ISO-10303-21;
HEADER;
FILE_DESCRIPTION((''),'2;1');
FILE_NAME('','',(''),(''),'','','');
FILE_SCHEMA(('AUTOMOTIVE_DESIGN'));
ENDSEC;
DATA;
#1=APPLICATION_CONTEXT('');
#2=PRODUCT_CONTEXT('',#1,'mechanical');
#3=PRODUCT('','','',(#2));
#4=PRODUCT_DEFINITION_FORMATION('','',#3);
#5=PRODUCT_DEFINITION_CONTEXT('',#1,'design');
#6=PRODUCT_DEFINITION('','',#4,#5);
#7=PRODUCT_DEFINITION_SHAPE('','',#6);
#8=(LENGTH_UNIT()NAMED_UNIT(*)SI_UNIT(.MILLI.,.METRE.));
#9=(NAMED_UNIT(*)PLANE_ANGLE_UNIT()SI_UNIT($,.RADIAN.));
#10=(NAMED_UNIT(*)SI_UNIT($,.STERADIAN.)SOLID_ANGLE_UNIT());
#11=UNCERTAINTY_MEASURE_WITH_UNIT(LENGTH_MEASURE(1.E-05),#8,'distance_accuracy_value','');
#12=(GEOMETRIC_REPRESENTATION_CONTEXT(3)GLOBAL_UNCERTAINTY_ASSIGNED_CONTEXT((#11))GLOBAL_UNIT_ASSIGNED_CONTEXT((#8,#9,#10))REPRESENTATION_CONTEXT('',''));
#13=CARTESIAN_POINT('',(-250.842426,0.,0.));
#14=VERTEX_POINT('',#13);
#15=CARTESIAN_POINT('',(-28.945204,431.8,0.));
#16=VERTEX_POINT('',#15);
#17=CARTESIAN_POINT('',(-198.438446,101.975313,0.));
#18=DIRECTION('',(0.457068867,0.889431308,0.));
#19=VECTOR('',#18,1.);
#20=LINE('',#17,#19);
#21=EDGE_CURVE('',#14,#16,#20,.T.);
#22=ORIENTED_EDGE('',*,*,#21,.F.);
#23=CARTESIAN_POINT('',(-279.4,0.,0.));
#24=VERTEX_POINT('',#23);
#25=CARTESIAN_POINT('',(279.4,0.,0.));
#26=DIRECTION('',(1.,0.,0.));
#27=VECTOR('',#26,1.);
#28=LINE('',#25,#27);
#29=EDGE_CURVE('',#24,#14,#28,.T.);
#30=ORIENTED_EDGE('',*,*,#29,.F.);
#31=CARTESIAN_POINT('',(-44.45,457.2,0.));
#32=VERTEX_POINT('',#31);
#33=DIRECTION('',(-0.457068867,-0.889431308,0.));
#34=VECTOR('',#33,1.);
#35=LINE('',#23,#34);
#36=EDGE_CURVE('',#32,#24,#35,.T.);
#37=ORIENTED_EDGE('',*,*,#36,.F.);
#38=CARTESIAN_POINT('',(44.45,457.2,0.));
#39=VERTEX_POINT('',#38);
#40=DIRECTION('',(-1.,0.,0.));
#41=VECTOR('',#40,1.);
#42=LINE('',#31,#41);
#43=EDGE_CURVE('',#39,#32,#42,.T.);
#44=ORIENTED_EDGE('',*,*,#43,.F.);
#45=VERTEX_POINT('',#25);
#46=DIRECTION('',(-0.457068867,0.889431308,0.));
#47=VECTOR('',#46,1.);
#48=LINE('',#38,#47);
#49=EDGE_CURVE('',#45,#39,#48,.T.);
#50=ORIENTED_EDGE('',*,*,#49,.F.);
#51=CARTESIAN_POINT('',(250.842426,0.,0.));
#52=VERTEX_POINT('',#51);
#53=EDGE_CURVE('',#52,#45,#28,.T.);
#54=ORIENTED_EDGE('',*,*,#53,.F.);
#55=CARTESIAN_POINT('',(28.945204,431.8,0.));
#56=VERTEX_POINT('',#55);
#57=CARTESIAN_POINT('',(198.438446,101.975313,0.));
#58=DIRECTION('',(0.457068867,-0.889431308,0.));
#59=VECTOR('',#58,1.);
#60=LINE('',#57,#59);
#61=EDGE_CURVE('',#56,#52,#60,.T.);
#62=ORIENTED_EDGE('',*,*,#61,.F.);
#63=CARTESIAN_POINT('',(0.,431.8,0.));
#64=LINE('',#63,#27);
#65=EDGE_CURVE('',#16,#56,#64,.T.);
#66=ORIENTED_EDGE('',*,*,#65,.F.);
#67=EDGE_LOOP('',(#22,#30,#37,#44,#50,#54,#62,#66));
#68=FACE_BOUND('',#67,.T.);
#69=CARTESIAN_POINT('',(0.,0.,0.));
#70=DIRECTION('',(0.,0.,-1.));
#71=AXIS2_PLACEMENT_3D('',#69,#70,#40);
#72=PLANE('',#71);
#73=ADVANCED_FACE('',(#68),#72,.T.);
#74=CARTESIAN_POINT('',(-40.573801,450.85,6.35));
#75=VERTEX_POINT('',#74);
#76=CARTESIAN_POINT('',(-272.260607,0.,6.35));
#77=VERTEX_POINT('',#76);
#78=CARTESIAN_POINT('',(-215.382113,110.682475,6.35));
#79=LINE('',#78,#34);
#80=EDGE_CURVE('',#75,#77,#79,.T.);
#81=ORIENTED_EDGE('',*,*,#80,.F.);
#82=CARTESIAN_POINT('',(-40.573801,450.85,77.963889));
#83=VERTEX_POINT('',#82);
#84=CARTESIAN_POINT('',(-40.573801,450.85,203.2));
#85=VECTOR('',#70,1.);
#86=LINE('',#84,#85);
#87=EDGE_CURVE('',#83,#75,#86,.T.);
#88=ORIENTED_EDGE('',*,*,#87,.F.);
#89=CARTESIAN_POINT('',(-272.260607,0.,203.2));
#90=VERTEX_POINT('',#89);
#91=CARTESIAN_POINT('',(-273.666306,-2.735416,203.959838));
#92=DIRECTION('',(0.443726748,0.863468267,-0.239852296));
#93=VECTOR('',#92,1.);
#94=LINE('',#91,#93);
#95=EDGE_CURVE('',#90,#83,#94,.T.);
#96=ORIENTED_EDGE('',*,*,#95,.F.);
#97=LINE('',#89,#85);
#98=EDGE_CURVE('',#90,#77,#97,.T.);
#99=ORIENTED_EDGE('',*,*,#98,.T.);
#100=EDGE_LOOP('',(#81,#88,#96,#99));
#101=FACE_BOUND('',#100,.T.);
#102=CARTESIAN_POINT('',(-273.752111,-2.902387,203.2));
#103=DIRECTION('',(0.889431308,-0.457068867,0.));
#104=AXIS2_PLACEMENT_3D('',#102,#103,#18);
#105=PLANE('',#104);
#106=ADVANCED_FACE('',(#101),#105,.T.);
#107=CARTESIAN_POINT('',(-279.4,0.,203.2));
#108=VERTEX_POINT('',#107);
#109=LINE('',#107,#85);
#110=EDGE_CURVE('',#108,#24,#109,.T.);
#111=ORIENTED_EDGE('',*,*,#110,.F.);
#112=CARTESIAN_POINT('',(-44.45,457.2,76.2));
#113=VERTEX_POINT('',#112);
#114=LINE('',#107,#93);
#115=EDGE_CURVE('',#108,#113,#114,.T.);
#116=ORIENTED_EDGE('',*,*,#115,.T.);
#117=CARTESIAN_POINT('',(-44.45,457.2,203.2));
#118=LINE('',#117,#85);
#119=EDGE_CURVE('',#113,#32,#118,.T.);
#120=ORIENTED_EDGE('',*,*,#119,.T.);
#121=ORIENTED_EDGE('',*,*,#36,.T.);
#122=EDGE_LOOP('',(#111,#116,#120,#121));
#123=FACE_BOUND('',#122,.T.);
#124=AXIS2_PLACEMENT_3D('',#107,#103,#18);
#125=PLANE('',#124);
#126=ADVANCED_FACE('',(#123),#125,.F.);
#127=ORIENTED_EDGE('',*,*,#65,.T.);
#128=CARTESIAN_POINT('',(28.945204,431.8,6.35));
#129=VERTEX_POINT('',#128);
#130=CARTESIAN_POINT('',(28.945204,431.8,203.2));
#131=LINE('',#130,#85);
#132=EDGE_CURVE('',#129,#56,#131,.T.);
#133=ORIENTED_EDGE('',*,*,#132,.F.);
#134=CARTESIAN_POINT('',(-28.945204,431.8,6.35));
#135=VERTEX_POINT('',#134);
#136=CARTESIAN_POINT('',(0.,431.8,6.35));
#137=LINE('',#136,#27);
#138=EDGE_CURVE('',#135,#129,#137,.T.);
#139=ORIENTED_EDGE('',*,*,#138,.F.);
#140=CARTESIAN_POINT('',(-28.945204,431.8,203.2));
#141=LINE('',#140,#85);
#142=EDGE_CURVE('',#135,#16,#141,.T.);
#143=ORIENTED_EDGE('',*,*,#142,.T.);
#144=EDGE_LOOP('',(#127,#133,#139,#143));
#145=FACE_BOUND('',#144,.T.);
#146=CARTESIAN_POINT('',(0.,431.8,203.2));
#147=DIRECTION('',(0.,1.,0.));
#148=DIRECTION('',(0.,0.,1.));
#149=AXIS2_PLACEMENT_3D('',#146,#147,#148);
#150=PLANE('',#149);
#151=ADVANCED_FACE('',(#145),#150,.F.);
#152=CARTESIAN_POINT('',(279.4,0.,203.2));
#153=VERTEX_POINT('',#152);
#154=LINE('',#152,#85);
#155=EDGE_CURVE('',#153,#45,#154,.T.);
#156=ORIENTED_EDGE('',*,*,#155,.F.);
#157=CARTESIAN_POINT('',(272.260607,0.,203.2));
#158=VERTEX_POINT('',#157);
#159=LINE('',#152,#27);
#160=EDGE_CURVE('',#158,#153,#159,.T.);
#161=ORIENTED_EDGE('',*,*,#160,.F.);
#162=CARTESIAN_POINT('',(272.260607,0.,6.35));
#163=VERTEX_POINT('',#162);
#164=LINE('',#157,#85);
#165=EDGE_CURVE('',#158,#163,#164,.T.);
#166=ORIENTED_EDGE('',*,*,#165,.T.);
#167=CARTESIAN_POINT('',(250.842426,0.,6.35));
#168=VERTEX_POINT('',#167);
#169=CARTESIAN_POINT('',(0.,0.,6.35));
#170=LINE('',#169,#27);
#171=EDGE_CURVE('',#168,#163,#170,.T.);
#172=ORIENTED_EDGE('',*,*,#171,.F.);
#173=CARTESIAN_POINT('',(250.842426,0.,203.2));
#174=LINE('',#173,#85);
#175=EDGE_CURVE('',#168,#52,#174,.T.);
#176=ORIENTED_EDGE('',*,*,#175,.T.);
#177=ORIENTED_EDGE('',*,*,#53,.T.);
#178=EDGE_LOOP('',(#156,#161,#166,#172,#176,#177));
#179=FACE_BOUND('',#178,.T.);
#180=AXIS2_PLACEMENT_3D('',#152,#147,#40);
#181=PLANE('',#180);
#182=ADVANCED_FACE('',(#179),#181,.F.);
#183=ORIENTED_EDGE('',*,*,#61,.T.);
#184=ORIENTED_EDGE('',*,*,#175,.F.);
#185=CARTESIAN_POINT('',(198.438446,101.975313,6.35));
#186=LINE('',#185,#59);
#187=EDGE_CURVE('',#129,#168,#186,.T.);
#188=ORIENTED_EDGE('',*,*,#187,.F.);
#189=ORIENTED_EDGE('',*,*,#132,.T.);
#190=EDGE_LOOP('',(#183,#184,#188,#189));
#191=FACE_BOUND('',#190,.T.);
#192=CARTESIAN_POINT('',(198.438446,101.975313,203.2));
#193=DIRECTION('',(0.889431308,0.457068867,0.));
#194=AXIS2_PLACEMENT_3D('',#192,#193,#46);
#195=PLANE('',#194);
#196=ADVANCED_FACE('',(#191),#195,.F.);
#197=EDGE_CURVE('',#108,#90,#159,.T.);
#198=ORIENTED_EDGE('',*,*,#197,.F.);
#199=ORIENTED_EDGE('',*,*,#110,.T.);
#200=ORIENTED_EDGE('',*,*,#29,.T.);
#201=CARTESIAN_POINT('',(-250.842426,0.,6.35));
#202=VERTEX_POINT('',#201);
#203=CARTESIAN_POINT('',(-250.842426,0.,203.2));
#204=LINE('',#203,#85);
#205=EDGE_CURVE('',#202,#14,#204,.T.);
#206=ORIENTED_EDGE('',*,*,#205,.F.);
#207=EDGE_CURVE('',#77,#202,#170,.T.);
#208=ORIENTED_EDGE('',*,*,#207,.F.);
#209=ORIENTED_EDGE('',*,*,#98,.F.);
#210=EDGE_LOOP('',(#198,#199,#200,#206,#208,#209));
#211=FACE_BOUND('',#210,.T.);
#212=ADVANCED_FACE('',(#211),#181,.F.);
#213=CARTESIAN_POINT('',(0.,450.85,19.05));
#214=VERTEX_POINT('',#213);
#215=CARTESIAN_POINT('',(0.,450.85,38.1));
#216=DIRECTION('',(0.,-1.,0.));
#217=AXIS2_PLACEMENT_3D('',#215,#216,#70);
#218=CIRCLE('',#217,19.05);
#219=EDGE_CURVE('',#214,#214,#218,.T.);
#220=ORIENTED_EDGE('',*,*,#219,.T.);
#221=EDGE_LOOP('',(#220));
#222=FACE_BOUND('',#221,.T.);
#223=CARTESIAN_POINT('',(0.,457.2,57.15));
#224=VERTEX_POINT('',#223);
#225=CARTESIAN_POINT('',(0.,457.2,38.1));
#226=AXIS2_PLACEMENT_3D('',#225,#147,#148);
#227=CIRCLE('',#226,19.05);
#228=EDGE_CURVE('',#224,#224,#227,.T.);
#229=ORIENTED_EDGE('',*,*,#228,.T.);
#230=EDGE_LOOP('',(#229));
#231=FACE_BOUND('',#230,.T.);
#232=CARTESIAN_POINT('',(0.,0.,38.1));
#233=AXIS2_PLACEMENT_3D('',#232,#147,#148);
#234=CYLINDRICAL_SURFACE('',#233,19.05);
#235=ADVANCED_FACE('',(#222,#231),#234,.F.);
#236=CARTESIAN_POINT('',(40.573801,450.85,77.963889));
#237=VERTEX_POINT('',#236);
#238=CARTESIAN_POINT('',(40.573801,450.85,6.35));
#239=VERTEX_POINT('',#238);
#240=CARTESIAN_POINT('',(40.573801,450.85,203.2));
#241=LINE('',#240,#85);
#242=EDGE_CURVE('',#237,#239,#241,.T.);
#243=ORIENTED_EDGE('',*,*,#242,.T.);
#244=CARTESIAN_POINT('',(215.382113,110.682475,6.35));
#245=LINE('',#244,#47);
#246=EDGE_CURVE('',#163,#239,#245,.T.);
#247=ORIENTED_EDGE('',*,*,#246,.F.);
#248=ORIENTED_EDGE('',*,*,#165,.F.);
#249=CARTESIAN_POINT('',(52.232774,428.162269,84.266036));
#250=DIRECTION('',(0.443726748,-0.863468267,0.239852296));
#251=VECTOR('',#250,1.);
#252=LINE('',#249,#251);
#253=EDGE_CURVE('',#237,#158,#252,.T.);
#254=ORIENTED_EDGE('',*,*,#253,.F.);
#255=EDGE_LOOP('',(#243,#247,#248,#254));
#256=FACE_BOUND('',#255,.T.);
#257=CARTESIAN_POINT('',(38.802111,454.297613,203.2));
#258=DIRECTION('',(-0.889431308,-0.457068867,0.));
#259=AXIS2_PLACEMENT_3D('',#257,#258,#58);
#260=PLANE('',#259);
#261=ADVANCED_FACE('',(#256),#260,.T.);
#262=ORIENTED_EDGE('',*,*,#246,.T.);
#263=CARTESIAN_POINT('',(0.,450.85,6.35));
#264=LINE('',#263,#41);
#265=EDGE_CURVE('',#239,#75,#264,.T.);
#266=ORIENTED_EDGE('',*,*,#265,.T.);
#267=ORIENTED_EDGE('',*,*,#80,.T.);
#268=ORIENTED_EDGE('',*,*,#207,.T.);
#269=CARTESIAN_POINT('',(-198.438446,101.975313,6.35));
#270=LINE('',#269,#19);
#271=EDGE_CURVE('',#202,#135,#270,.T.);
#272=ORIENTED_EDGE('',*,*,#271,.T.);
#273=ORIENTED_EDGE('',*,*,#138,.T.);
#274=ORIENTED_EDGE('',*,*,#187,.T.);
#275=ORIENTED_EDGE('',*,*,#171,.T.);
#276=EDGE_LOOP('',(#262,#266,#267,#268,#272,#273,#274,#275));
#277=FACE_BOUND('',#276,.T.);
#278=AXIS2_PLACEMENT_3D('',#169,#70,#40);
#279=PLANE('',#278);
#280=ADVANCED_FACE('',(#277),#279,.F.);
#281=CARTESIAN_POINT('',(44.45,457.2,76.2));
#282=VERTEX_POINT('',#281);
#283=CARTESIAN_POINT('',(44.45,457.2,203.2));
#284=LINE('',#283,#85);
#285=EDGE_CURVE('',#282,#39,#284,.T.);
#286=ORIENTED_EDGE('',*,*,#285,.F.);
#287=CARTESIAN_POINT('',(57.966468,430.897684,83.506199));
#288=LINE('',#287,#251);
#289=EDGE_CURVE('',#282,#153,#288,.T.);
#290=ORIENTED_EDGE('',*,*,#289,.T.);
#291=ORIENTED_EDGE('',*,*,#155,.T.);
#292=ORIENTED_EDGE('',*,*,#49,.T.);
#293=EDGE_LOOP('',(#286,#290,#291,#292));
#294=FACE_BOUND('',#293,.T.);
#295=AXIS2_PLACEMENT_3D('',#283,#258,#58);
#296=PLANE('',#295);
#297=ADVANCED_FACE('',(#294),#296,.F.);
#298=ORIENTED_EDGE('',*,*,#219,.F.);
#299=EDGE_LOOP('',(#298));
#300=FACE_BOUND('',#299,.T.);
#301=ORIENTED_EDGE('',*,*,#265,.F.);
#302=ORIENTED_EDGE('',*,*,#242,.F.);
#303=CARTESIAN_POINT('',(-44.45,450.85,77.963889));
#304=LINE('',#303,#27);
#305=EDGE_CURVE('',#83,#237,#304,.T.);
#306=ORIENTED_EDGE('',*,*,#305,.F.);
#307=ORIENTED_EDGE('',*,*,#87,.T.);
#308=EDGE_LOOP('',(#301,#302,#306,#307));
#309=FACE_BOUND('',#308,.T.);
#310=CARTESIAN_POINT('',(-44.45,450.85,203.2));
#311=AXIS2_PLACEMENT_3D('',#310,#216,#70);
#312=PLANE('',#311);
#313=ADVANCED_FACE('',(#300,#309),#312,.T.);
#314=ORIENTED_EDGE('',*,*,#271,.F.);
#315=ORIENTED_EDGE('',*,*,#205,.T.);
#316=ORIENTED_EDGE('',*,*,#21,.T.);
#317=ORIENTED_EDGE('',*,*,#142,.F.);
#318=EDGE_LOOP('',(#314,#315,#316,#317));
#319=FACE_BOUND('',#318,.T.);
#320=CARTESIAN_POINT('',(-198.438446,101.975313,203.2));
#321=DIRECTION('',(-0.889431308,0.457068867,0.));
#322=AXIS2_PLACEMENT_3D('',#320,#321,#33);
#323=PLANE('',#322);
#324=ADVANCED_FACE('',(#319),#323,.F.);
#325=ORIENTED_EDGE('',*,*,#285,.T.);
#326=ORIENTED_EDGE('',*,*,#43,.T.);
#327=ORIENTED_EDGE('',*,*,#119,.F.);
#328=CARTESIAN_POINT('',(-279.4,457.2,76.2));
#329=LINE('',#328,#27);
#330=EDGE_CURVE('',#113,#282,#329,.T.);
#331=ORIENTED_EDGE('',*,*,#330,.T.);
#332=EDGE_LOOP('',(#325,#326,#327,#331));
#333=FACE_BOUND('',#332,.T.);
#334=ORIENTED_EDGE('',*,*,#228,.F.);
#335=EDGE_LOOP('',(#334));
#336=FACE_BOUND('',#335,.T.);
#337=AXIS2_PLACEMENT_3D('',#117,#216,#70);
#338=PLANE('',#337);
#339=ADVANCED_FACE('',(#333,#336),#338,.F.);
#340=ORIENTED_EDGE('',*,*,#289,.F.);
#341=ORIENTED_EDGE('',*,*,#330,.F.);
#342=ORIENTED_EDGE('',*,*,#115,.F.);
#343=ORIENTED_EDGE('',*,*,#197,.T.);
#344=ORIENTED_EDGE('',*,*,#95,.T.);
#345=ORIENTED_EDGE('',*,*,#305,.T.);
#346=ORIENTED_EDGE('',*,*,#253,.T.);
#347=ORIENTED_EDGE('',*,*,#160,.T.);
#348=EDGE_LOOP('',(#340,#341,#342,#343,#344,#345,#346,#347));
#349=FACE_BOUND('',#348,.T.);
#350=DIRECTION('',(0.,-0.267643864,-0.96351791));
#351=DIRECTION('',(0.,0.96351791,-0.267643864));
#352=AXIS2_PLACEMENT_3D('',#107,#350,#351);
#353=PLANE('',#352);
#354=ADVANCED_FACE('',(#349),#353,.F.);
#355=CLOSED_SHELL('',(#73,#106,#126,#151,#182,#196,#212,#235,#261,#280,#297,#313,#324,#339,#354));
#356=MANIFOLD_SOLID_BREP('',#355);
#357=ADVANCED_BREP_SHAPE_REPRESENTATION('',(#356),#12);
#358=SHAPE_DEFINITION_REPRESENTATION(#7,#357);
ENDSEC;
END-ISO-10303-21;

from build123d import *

# Parameters (mm, degrees)
BOSS_EXTRUDE1_DEPTH     = 203.2
CUT_EXTRUDE1_DEPTH      = 280.4
CUT_EXTRUDE1_DEPTH_BACK = 280.4
SHELL1_T                = -6.35
CUT_EXTRUDE2_DEPTH      = 204.2
SKETCH4_R               = 19.05
CUT_EXTRUDE3_DEPTH      = 458.2


with BuildPart() as part:
    # Sketch1 → Boss-Extrude1 (new body)
    with BuildSketch(Plane.XY):
        Polygon((-279.4, 0), (-44.45, 457.2), (44.45, 457.2), (279.4, 0), align=None)
    extrude(amount=BOSS_EXTRUDE1_DEPTH)

    # Sketch2 → Cut-Extrude1 (cut, two sides)
    with BuildSketch(Plane(origin=(0, 0, 0), x_dir=(0, 0, -1), z_dir=(1, 0, 0))) as cut_extrude1_sk:
        Polygon((-203.2, 0), (-76.2, 457.2), (-203.2, 457.2), align=None)
    extrude(amount=CUT_EXTRUDE1_DEPTH, mode=Mode.SUBTRACT)
    extrude(cut_extrude1_sk.sketch, amount=-CUT_EXTRUDE1_DEPTH_BACK, mode=Mode.SUBTRACT)

    # Shell1
    shell1_openings = [part.faces().sort_by_distance(p)[0] for p in [
        (0, 228.6, 139.7),
        (0, 0, 101.6),
    ]]
    offset(amount=SHELL1_T, openings=shell1_openings, kind=Kind.INTERSECTION)

    # Sketch3 → Cut-Extrude2 (cut, through all)
    with BuildSketch(Plane(origin=(0, 0, 0), x_dir=(-1, 0, 0), z_dir=(0, 0, -1))):
        Polygon((250.842426439, 0), (28.945204216, 431.8), (-28.945204216, 431.8), (-250.842426439, 0), align=None)
    extrude(amount=-CUT_EXTRUDE2_DEPTH, mode=Mode.SUBTRACT)

    # Sketch4 → Cut-Extrude3 (cut, through all)
    with BuildSketch(Plane(origin=(0, 457.2, 0), x_dir=(1, 0, 0), z_dir=(0, 1, 0))):
        with Locations((0, -38.1)):
            Circle(SKETCH4_R)
    extrude(amount=-CUT_EXTRUDE3_DEPTH, mode=Mode.SUBTRACT)


solid = part.part
